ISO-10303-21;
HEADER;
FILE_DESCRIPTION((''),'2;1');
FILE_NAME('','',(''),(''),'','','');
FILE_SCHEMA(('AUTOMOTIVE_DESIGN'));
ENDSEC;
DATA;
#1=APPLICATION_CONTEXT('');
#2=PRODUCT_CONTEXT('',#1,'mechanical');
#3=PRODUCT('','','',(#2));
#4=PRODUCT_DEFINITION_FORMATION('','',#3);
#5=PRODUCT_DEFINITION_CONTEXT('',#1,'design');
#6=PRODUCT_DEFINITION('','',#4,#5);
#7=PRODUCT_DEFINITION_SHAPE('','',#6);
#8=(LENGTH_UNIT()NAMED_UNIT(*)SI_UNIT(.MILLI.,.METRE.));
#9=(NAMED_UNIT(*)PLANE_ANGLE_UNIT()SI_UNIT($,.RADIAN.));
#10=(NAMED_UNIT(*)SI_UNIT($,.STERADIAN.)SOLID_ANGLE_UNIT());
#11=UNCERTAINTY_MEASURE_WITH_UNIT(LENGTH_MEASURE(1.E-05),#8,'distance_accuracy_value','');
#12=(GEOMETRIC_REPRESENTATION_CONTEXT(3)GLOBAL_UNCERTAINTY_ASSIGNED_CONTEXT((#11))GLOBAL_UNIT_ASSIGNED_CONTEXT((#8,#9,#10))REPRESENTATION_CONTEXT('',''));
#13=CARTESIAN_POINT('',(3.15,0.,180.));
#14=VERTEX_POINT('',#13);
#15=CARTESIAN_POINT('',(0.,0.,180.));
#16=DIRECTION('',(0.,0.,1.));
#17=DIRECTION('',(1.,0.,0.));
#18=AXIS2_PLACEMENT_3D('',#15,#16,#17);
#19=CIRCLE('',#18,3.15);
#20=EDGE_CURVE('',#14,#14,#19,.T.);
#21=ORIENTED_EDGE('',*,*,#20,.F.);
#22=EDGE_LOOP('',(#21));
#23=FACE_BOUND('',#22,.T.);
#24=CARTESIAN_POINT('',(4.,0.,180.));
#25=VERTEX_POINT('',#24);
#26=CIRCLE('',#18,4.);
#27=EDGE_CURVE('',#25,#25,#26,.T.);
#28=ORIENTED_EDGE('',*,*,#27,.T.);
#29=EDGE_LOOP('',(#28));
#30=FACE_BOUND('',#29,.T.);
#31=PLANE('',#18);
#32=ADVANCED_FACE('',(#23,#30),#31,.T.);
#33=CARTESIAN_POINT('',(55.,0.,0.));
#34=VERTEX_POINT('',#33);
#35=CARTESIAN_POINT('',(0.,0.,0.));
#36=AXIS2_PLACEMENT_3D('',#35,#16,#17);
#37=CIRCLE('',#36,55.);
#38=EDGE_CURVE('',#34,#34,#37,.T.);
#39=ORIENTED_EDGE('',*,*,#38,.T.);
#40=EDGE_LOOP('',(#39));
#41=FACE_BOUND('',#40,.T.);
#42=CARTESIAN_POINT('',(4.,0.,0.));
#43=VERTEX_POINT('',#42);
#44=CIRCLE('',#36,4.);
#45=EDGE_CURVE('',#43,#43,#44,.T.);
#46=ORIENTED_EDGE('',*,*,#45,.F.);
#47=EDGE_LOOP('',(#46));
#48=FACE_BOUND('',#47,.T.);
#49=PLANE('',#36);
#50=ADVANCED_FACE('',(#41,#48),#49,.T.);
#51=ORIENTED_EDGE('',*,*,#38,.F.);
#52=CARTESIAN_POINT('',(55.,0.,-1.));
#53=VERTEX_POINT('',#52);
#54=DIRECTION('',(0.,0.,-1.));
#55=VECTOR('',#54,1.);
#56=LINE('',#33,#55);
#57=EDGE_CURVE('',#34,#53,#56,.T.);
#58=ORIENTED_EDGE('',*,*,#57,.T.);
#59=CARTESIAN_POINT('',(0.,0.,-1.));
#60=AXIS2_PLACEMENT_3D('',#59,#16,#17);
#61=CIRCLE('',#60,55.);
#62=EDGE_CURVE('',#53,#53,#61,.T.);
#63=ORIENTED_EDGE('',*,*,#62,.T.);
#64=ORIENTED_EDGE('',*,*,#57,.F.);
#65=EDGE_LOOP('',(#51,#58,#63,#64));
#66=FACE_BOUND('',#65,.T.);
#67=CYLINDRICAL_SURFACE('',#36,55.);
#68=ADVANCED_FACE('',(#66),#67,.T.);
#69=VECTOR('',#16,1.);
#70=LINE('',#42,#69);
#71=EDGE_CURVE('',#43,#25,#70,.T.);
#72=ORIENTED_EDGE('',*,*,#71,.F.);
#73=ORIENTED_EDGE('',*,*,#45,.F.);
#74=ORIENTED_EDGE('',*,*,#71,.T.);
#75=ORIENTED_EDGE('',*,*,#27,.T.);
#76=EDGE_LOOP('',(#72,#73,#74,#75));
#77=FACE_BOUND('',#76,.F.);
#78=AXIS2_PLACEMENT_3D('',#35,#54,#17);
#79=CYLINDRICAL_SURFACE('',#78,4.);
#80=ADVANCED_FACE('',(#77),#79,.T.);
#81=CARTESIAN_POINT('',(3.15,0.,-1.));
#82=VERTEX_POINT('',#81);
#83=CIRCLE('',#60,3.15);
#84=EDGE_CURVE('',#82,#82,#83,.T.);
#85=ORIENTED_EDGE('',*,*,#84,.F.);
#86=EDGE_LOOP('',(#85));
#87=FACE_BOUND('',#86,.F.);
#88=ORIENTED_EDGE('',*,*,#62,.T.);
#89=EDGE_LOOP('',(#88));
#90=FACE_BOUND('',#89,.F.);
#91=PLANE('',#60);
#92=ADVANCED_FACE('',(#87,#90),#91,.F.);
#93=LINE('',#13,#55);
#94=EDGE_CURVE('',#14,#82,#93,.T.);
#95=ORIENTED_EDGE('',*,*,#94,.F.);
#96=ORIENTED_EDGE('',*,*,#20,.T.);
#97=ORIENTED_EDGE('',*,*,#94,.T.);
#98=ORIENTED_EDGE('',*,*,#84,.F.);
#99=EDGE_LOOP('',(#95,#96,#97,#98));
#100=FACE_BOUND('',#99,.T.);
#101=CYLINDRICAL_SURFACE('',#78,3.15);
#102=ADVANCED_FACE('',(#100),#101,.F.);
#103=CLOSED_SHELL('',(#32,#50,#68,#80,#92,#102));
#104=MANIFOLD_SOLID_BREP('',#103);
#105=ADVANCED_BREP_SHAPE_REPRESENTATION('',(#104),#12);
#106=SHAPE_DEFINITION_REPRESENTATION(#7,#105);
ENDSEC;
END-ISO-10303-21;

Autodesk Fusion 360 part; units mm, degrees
sketch "Sketch1" plane through (0, 0, 0) normal (0, 0, 1) x (1, 0, 0)
  circle A0 centre (0, 0) radius 55
  circle A1 centre (0, 0) radius 4
  circle A2 centre (0, 0) radius 3.15
  dimension "d1" = 110
  dimension "d2" = 8
  dimension "d3" = 6.3
extrude "Extrude1" add sketch "Sketch1" against normal blind 1 contours A0
extrude "Extrude2" add sketch "Sketch1" against normal blind 1 contours A1
extrude "Extrude3" add sketch "Sketch1" along normal blind 180 contours A1
equation "d3 = 8 mm - 1.7 mm"
